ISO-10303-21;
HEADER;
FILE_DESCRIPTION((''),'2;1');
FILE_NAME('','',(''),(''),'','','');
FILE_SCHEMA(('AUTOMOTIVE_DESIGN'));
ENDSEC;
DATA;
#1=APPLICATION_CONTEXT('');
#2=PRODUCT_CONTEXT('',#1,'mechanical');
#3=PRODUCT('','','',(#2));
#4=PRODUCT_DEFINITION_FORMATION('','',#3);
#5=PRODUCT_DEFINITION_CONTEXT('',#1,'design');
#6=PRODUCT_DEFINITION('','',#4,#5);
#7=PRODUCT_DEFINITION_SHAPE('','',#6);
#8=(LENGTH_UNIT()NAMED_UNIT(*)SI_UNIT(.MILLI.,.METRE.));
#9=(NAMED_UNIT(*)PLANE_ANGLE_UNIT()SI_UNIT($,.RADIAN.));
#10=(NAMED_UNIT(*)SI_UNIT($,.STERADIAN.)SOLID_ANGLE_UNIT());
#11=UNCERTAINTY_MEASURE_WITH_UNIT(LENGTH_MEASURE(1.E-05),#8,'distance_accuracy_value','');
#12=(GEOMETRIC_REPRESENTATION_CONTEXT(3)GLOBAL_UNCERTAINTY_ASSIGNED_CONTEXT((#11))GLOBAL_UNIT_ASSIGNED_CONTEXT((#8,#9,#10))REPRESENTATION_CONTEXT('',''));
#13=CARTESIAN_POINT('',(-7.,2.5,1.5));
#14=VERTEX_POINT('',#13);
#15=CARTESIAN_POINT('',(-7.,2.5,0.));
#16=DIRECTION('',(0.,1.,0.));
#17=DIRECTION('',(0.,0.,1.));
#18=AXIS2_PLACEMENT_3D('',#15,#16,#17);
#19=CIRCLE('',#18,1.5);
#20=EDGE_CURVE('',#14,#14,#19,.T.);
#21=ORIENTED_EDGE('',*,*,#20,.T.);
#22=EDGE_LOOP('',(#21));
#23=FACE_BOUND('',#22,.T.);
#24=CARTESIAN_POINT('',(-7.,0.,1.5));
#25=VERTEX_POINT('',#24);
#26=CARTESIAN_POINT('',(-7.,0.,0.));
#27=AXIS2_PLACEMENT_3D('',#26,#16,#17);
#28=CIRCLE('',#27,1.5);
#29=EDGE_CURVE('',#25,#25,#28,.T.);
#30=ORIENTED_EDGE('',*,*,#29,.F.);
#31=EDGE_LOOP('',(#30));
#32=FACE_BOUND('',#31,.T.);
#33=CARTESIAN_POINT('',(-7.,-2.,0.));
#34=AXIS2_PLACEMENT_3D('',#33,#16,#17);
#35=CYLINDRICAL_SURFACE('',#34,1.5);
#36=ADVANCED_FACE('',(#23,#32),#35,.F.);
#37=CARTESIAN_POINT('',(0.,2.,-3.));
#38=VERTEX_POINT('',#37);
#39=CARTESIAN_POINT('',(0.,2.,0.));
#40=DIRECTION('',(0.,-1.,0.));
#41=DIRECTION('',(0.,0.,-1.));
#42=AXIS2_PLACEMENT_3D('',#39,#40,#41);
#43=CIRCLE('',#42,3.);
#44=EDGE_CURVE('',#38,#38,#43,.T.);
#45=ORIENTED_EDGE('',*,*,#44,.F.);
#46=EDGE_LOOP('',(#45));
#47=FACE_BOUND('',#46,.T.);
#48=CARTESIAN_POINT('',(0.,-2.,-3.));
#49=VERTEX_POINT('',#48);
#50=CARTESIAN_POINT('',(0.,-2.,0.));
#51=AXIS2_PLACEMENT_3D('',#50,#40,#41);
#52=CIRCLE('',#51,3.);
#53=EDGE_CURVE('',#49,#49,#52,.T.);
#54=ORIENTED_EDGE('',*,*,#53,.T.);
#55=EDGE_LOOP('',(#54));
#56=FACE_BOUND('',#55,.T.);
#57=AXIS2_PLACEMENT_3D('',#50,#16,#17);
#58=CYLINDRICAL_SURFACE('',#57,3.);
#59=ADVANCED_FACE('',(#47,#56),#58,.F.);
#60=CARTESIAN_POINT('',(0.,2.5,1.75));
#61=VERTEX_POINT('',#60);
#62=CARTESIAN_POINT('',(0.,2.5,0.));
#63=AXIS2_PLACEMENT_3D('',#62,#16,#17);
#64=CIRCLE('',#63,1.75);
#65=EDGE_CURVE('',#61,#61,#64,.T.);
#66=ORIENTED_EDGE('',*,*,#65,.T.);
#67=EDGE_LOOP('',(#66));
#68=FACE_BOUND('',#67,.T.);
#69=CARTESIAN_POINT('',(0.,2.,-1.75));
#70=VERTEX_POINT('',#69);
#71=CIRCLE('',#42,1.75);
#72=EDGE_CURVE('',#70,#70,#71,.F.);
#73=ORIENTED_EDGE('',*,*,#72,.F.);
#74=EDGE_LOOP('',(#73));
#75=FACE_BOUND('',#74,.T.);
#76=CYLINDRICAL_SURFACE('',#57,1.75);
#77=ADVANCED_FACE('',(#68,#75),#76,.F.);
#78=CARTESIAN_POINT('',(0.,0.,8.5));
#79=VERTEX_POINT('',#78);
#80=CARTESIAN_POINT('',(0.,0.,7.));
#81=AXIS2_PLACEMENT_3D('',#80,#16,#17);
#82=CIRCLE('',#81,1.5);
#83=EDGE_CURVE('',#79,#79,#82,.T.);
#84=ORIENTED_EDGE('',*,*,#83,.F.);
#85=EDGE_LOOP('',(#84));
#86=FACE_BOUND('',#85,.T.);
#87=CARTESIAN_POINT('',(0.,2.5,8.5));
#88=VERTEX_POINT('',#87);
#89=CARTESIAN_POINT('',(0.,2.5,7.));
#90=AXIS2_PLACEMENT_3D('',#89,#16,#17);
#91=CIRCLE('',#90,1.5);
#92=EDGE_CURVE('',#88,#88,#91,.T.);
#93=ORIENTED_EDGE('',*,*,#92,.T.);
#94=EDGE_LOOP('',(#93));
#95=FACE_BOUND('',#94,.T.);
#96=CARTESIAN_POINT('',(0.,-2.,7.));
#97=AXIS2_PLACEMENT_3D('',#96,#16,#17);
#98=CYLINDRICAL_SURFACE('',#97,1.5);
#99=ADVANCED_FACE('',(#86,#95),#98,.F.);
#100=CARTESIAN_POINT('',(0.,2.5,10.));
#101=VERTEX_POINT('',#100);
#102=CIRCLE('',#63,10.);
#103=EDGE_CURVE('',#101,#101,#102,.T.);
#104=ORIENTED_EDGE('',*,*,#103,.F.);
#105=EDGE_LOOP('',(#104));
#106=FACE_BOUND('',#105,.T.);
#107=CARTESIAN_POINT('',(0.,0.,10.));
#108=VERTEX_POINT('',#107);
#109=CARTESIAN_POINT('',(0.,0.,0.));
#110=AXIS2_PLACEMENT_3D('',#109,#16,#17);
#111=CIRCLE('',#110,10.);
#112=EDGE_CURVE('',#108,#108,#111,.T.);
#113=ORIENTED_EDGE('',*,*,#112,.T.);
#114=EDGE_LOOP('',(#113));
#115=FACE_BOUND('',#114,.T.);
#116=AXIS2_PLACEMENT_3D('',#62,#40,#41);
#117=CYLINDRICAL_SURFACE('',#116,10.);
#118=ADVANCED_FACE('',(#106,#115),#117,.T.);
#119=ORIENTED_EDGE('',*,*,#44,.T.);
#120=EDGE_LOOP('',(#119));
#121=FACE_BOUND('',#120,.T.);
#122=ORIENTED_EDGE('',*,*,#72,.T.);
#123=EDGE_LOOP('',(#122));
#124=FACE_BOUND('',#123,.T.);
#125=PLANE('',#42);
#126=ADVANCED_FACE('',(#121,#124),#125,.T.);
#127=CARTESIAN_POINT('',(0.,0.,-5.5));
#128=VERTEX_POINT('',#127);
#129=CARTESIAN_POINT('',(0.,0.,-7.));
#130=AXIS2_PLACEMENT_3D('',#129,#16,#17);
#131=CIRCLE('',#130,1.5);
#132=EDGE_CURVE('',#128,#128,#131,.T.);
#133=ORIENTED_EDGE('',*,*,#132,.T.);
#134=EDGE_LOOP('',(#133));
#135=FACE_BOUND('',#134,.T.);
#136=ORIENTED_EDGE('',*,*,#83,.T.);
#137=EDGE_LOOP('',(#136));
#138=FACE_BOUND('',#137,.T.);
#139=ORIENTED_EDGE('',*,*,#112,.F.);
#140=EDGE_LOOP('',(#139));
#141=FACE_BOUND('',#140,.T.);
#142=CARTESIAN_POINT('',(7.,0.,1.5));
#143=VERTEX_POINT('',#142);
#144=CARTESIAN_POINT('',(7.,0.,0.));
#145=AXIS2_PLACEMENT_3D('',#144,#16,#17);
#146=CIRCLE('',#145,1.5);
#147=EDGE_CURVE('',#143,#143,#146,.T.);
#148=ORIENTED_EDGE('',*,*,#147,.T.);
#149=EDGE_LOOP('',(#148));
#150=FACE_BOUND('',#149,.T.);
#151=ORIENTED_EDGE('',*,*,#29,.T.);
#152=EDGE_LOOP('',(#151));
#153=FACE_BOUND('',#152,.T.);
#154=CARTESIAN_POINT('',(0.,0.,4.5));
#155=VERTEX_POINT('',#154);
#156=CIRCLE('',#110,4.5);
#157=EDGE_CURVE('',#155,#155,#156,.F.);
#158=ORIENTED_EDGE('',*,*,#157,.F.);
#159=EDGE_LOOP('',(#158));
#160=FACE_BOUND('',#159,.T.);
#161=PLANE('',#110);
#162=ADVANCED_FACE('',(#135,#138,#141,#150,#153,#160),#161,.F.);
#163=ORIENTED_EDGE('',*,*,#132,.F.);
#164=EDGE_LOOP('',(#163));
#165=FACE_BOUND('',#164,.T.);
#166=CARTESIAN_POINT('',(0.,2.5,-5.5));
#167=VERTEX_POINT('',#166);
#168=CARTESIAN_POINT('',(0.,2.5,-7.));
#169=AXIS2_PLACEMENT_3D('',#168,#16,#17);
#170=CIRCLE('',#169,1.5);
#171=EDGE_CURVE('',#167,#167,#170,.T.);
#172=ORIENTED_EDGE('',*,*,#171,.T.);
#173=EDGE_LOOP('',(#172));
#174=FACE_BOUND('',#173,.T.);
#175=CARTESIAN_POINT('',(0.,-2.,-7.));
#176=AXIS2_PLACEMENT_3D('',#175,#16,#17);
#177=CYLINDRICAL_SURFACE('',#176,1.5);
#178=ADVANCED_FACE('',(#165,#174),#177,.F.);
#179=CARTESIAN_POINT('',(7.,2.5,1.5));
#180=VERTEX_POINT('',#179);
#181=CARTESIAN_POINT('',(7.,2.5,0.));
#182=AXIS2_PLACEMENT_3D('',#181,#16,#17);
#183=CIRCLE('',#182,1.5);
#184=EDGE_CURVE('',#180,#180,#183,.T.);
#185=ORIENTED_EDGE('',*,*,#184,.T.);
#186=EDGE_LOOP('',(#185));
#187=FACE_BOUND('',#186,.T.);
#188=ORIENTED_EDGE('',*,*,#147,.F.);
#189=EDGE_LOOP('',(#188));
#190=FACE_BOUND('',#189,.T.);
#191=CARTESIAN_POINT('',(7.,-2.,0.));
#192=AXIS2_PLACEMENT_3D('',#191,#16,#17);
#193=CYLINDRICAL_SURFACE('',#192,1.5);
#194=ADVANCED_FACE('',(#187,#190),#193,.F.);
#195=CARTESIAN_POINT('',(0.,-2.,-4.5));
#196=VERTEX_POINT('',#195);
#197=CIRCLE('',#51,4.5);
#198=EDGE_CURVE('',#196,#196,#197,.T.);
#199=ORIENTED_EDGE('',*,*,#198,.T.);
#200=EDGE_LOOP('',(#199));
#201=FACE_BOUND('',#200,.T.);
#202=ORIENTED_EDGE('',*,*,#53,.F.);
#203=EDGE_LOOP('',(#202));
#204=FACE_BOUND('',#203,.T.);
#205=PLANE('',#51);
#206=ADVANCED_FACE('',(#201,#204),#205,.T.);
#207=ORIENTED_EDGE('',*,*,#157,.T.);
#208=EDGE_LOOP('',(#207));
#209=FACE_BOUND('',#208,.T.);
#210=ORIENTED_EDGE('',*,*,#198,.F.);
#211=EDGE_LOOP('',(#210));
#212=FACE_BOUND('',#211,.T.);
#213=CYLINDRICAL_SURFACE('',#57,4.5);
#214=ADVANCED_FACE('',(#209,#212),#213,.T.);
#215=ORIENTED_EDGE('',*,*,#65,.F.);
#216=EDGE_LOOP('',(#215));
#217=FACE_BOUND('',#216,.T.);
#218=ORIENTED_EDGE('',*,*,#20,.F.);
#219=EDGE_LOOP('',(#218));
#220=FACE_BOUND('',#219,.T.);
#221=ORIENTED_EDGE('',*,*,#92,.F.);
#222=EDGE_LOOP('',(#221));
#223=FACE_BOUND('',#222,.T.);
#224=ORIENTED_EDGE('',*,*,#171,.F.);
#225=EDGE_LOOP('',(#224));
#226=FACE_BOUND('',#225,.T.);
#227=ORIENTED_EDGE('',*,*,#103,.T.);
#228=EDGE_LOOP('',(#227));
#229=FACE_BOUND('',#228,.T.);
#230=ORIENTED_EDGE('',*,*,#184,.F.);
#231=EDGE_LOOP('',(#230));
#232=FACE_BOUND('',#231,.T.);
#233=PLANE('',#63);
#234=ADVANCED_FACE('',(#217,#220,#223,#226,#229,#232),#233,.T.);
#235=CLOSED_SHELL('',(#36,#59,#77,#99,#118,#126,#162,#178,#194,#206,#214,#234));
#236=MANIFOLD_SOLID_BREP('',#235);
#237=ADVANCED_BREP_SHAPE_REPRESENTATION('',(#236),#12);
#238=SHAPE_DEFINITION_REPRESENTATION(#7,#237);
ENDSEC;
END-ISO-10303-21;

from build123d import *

# Parameters (mm, degrees)
SKETCH1_R           = 10
BOSS_EXTRUDE1_DEPTH = 2.5
SKETCH2_R           = 4.5
SKETCH2_R_2         = 3
BOSS_EXTRUDE2_DEPTH = 2
SKETCH3_R           = 1.5
SKETCH3_R_2         = 1.75
CUT_EXTRUDE1_DEPTH  = 15.84082208
CUT_EXTRUDE2_START  = -2
SKETCH2_2_R         = 3
CUT_EXTRUDE2_DEPTH  = 2


with BuildPart() as part:
    # Sketch1 → Boss-Extrude1 (new body)
    with BuildSketch(Plane(origin=(0, 0, 0), x_dir=(1, 0, 0), z_dir=(0, 1, 0))):
        Circle(SKETCH1_R)
    extrude(amount=BOSS_EXTRUDE1_DEPTH)

    # Sketch2 → Boss-Extrude2 (add)
    with BuildSketch(Plane.XZ):
        Circle(SKETCH2_R)
        Circle(SKETCH2_R_2, mode=Mode.SUBTRACT)
    extrude(amount=BOSS_EXTRUDE2_DEPTH)

    # Sketch3 → Cut-Extrude1 (cut, through all)
    with BuildSketch(Plane(origin=(0, 2.5, 0), x_dir=(1, 0, 0), z_dir=(0, 1, 0))):
        with Locations((0, 7)):
            Circle(SKETCH3_R)
        with Locations((7, 0)):
            Circle(SKETCH3_R)
        with Locations((0, -7)):
            Circle(SKETCH3_R)
        with Locations((-7, 0)):
            Circle(SKETCH3_R)
        Circle(SKETCH3_R_2)
    extrude(amount=-CUT_EXTRUDE1_DEPTH, mode=Mode.SUBTRACT)

    # Sketch2<2> → Cut-Extrude2 (cut)
    with BuildSketch(Plane.XZ.offset(CUT_EXTRUDE2_START)):
        Circle(SKETCH2_2_R)
    extrude(amount=CUT_EXTRUDE2_DEPTH, mode=Mode.SUBTRACT)


solid = part.part
